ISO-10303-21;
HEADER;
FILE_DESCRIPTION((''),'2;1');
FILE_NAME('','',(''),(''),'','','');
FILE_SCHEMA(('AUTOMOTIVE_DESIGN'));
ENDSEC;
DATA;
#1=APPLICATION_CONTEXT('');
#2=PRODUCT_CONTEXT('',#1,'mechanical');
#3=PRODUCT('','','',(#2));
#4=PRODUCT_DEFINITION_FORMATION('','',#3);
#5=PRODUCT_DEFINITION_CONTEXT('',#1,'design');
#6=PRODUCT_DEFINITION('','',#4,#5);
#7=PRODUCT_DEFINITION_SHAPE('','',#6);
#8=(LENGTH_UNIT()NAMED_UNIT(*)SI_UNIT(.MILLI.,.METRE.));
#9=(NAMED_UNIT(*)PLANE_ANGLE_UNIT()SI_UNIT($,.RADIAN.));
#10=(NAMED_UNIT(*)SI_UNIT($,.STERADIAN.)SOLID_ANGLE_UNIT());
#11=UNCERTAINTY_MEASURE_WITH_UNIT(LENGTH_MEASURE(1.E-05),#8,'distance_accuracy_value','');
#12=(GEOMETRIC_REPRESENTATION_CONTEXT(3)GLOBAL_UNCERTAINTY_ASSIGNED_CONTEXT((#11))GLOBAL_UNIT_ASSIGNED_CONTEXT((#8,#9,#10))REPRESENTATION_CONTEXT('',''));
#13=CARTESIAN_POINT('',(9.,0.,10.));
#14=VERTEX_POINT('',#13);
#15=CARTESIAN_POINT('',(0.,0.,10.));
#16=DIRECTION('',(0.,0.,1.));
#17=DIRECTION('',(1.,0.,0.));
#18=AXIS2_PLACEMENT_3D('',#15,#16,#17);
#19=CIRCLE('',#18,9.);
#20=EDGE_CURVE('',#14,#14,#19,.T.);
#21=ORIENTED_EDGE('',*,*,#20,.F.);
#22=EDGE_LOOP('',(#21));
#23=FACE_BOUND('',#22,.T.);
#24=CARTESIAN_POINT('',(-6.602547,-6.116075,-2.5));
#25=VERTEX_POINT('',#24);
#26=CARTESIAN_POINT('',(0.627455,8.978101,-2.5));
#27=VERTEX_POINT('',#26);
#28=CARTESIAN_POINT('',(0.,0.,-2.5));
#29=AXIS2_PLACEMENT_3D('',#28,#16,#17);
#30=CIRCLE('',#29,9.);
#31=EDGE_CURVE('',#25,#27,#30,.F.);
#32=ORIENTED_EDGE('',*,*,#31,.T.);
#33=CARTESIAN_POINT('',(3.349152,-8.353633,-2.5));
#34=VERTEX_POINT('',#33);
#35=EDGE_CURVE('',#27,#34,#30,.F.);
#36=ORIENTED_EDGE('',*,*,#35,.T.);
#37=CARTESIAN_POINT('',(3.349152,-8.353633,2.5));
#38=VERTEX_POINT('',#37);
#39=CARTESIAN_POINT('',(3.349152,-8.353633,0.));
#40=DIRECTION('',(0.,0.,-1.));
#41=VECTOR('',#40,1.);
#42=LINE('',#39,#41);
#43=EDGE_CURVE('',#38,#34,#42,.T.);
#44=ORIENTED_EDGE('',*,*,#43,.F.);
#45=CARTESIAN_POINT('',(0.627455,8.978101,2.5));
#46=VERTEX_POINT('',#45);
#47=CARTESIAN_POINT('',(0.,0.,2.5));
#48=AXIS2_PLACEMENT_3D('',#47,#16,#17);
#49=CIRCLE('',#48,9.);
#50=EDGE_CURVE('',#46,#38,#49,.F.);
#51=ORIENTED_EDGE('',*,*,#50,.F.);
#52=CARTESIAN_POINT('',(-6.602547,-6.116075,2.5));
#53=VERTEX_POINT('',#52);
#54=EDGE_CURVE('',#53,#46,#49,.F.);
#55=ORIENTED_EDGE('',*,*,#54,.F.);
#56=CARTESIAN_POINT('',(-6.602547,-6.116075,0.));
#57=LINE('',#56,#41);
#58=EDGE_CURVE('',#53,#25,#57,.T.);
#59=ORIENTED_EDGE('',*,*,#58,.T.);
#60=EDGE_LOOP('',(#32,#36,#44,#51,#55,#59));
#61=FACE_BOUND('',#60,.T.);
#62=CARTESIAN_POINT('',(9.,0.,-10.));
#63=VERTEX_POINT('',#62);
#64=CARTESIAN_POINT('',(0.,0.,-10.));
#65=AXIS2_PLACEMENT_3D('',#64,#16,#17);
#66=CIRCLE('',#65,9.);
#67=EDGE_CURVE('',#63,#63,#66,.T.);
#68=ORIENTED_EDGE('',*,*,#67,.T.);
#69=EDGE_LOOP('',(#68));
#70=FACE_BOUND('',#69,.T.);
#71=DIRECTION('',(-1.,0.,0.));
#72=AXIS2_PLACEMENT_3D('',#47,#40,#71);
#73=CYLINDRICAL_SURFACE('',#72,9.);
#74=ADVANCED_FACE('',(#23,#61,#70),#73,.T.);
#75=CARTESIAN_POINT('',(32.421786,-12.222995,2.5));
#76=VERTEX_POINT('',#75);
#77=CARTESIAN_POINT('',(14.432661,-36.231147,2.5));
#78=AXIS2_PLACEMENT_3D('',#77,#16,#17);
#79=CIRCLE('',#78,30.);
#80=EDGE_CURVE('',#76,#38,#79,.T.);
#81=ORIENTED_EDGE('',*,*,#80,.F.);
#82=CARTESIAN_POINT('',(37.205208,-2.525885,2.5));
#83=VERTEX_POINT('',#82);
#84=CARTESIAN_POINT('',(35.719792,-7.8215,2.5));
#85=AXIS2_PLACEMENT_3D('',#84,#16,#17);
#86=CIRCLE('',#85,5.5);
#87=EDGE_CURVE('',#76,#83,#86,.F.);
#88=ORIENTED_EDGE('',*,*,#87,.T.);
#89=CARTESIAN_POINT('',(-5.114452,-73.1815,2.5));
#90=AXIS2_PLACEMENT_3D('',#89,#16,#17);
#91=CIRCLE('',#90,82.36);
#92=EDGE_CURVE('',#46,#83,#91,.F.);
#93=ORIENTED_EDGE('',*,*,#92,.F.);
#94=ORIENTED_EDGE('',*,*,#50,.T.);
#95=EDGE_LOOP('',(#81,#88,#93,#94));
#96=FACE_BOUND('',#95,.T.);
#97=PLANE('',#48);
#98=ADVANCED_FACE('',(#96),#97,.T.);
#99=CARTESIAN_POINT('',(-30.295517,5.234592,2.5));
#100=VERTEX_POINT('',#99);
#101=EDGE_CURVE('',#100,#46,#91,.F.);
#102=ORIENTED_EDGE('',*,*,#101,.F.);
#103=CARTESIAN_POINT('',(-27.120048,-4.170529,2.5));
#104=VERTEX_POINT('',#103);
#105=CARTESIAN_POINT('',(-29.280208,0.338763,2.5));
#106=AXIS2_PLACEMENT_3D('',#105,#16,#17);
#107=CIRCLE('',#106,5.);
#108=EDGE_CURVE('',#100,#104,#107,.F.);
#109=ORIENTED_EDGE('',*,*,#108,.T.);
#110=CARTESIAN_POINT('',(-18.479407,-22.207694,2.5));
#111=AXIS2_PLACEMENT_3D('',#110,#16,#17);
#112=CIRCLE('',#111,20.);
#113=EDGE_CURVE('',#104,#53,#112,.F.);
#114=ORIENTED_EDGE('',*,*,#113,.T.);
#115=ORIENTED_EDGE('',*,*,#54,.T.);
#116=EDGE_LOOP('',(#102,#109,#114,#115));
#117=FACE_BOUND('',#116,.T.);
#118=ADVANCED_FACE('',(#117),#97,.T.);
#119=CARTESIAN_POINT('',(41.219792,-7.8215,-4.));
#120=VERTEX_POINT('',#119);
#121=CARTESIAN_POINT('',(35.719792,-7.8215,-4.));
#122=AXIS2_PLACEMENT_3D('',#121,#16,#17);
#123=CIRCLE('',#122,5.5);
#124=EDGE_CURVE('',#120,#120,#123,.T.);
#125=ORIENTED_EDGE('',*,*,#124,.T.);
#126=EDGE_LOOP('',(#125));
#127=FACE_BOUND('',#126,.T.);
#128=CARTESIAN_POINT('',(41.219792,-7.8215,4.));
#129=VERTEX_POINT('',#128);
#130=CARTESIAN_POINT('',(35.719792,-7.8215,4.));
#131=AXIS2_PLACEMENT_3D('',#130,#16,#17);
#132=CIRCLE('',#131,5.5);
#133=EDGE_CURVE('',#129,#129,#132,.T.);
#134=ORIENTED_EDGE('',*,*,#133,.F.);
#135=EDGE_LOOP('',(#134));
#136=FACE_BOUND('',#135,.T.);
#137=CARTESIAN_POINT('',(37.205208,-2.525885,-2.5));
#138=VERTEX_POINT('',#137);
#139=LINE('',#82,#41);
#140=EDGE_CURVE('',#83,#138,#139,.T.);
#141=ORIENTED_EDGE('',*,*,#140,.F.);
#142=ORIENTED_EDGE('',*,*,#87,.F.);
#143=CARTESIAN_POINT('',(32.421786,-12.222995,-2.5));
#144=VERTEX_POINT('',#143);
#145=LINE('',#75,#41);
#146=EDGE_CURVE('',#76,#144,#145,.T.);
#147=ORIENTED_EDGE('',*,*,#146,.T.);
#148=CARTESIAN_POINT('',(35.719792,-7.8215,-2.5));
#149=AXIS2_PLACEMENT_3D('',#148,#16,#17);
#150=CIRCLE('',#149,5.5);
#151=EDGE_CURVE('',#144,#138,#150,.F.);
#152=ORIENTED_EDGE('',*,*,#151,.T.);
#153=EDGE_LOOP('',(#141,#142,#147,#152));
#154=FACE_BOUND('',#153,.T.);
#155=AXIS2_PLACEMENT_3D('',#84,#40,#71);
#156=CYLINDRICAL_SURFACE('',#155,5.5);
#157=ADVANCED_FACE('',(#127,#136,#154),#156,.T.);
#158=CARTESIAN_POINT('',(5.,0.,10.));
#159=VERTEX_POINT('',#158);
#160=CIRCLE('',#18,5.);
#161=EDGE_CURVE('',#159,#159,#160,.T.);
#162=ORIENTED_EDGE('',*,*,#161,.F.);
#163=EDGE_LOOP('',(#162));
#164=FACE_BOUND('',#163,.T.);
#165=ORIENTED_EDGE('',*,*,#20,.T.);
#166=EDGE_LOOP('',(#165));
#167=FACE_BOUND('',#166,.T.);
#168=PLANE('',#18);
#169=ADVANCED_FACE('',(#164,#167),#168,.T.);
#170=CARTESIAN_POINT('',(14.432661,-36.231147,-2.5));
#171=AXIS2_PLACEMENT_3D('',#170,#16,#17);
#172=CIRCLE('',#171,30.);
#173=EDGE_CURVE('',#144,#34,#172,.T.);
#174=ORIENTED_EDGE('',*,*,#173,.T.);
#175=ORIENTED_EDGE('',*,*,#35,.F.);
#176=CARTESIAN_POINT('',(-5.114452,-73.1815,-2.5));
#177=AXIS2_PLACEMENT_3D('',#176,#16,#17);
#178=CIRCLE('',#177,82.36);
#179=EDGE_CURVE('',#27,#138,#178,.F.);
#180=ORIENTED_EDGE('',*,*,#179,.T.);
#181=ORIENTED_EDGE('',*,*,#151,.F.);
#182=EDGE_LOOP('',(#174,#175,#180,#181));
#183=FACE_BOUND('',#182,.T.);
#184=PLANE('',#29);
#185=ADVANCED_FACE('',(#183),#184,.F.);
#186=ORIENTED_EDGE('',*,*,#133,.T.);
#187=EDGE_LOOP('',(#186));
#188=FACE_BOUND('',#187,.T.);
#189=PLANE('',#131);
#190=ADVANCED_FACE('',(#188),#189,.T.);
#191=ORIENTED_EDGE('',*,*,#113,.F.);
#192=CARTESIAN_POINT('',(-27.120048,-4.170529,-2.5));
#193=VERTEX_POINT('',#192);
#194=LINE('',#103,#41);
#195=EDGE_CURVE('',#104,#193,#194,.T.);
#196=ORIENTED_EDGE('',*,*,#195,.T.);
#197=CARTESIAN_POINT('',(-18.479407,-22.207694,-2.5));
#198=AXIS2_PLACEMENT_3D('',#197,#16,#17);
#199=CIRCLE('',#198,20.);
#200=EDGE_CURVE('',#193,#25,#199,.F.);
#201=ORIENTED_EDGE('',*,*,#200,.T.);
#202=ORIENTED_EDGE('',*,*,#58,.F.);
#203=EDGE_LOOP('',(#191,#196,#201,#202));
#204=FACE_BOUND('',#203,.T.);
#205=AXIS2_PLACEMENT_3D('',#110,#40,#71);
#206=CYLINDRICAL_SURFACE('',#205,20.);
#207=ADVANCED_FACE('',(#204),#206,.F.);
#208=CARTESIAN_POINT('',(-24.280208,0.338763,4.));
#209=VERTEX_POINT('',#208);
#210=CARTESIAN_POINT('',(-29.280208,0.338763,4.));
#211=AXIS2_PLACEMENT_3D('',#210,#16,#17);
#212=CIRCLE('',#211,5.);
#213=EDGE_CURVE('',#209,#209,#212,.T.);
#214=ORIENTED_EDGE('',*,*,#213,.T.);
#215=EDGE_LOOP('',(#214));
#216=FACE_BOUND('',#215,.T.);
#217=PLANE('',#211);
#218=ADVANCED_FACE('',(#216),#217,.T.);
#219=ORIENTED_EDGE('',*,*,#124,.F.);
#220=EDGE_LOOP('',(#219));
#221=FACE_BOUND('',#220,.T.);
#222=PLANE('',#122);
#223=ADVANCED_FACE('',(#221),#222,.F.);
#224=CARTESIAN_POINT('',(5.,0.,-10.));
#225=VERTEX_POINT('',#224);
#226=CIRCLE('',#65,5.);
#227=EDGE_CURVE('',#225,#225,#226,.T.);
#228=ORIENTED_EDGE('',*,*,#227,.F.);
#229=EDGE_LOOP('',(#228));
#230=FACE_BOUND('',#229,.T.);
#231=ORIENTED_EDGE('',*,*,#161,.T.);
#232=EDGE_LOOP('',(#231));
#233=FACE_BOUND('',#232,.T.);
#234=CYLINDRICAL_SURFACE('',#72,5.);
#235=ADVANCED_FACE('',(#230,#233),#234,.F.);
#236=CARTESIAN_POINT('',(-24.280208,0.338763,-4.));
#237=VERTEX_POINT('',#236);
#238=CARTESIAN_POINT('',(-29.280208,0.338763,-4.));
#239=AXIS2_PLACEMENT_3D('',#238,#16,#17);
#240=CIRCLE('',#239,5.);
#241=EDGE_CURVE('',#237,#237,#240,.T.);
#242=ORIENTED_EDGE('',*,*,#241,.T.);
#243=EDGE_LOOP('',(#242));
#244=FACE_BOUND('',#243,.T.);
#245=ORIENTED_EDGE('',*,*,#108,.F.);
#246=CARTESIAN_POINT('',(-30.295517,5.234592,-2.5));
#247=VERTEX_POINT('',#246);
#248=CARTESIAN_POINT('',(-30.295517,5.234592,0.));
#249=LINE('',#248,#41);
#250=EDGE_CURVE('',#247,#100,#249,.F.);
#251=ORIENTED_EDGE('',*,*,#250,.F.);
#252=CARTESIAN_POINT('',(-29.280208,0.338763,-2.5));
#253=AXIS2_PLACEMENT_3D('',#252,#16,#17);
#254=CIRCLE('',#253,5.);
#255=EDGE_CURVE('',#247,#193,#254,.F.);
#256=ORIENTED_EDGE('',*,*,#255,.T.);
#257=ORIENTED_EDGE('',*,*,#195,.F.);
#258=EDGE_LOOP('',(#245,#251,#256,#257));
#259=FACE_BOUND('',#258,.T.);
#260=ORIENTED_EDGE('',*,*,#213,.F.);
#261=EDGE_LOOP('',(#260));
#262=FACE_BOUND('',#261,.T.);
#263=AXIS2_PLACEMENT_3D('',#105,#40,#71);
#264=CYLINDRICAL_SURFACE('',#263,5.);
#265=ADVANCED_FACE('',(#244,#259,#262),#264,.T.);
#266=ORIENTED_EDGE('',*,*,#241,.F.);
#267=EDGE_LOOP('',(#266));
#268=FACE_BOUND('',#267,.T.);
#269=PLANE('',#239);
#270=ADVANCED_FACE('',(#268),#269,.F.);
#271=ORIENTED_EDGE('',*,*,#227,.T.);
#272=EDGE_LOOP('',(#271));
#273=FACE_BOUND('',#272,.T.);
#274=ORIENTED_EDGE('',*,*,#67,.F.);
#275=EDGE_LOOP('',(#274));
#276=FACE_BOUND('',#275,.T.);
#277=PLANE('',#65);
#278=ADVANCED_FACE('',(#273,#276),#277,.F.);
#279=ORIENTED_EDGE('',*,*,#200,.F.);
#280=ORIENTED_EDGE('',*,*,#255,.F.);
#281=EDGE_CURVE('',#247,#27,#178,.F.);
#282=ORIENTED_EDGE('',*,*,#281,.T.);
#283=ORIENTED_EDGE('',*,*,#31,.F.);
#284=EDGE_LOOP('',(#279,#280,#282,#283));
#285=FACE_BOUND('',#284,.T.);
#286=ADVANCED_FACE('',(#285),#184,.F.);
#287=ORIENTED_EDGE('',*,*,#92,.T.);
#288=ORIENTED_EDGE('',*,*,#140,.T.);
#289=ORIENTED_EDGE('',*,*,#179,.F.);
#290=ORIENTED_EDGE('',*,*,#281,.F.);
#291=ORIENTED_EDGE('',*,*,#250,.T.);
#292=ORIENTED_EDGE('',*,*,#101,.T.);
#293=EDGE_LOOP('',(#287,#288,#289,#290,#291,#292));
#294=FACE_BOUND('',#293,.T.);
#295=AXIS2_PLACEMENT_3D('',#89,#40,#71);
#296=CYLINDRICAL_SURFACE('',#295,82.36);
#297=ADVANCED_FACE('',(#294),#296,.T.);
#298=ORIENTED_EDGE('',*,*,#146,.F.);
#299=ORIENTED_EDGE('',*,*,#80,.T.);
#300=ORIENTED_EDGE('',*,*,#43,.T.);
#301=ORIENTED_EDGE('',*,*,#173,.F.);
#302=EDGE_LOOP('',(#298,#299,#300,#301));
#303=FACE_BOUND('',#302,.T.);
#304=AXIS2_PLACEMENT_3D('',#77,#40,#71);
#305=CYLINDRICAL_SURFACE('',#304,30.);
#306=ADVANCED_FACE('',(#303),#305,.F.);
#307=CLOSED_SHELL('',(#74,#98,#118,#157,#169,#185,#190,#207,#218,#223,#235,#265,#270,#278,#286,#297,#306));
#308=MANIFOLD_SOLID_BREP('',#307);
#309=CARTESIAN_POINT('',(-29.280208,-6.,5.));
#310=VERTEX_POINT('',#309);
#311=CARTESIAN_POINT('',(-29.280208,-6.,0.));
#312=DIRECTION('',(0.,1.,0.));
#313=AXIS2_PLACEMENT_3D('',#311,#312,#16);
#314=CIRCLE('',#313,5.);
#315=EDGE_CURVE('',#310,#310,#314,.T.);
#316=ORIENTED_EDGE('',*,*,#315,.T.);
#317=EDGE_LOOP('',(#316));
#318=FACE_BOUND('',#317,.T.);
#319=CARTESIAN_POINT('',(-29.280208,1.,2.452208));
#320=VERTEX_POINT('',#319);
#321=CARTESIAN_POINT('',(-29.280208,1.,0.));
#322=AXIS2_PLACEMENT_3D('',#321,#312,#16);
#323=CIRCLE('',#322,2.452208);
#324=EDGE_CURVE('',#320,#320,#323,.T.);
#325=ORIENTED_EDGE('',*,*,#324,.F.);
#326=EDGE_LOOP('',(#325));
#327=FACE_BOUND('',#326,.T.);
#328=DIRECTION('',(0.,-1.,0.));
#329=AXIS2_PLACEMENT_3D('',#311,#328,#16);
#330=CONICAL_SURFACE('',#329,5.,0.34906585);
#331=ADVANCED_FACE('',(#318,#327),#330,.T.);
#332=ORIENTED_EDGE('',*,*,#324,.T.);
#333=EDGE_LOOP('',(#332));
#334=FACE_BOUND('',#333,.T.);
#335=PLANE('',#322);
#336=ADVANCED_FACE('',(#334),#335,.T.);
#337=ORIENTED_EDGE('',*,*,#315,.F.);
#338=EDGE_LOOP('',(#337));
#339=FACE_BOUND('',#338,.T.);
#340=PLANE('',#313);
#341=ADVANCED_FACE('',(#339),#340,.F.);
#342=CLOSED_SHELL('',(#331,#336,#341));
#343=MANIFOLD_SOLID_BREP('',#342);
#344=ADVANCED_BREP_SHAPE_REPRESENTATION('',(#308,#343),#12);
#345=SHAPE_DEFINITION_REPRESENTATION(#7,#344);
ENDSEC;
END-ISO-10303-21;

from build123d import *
from build123d.topology import SkipClean

# Parameters (mm, degrees)
SKETCH1_R           = 5
BOSS_EXTRUDE1_DEPTH = 2.5
SKETCH2_R           = 9
SKETCH2_R_2         = 5
BOSS_EXTRUDE2_DEPTH = 10
SKETCH3_R           = 5.5
SKETCH3_R_2         = 5
BOSS_EXTRUDE3_DEPTH = 4
SKETCH4_R           = 5
BOSS_EXTRUDE4_DEPTH = 7
BOSS_EXTRUDE4_TAPER = 20


with BuildPart() as part:
    # Sketch1 → Boss-Extrude1 (new, symmetric)
    with BuildSketch(Plane.XY):
        with BuildLine():
            ThreePointArc((-27.120047812, -4.170528509), (-16.591401211, -2.297007262), (-6.602547196, -6.116074764))
            ThreePointArc((-6.602547196, -6.116074764), (-5.686754999, -6.834078204), (-4.814272463, -7.604129184))
            ThreePointArc((-4.814272463, -7.604129184), (-0.842725747, -8.960458321), (3.312065045, -8.368406368))
            ThreePointArc((3.312065045, -8.368406368), (3.330616558, -8.361040207), (3.349151688, -8.35363292))
            ThreePointArc((3.349151688, -8.35363292), (18.390548307, -6.493374736), (32.421785807, -12.222994876))
            ThreePointArc((32.421785807, -12.222994876), (40.652322357, -10.254634895), (37.205207776, -2.525885063))
            ThreePointArc((37.205207776, -2.525885063), (4.292412816, 8.639526929), (-30.295517409, 5.234592316))
            ThreePointArc((-30.295517409, 5.234592316), (-30.83213572, 5.060242912), (-31.367547013, 4.882221361))
            ThreePointArc((-31.367547013, 4.882221361), (-33.806729375, -1.785055526), (-27.120047812, -4.170528509))
        make_face()
        Circle(SKETCH1_R, mode=Mode.SUBTRACT)
    extrude(amount=BOSS_EXTRUDE1_DEPTH, both=True)

    # Sketch2 → Boss-Extrude2 (add, symmetric)
    with BuildSketch(Plane.XY):
        Circle(SKETCH2_R)
        Circle(SKETCH2_R_2, mode=Mode.SUBTRACT)
    extrude(amount=BOSS_EXTRUDE2_DEPTH, both=True)

    # Sketch3 → Boss-Extrude3 (add, symmetric)
    with SkipClean():  # the faces are left unmerged after this step: merging them gives an invalid solid
        with BuildSketch(Plane.XY):
            with Locations((35.719792003, -7.821500228)):
                Circle(SKETCH3_R)
            with Locations((-29.280207997, 0.338762785)):
                Circle(SKETCH3_R_2)
        extrude(amount=BOSS_EXTRUDE3_DEPTH, both=True)


with BuildPart() as body_2:
    # Sketch4 → Boss-Extrude4 (new body)
    with BuildSketch(Plane(origin=(0, -6, 0), x_dir=(1, 0, 0), z_dir=(0, 1, 0))):
        with Locations((-29.280207997, 0)):
            Circle(SKETCH4_R)
    extrude(amount=BOSS_EXTRUDE4_DEPTH, taper=BOSS_EXTRUDE4_TAPER)


solid = Compound([part.part, body_2.part])
